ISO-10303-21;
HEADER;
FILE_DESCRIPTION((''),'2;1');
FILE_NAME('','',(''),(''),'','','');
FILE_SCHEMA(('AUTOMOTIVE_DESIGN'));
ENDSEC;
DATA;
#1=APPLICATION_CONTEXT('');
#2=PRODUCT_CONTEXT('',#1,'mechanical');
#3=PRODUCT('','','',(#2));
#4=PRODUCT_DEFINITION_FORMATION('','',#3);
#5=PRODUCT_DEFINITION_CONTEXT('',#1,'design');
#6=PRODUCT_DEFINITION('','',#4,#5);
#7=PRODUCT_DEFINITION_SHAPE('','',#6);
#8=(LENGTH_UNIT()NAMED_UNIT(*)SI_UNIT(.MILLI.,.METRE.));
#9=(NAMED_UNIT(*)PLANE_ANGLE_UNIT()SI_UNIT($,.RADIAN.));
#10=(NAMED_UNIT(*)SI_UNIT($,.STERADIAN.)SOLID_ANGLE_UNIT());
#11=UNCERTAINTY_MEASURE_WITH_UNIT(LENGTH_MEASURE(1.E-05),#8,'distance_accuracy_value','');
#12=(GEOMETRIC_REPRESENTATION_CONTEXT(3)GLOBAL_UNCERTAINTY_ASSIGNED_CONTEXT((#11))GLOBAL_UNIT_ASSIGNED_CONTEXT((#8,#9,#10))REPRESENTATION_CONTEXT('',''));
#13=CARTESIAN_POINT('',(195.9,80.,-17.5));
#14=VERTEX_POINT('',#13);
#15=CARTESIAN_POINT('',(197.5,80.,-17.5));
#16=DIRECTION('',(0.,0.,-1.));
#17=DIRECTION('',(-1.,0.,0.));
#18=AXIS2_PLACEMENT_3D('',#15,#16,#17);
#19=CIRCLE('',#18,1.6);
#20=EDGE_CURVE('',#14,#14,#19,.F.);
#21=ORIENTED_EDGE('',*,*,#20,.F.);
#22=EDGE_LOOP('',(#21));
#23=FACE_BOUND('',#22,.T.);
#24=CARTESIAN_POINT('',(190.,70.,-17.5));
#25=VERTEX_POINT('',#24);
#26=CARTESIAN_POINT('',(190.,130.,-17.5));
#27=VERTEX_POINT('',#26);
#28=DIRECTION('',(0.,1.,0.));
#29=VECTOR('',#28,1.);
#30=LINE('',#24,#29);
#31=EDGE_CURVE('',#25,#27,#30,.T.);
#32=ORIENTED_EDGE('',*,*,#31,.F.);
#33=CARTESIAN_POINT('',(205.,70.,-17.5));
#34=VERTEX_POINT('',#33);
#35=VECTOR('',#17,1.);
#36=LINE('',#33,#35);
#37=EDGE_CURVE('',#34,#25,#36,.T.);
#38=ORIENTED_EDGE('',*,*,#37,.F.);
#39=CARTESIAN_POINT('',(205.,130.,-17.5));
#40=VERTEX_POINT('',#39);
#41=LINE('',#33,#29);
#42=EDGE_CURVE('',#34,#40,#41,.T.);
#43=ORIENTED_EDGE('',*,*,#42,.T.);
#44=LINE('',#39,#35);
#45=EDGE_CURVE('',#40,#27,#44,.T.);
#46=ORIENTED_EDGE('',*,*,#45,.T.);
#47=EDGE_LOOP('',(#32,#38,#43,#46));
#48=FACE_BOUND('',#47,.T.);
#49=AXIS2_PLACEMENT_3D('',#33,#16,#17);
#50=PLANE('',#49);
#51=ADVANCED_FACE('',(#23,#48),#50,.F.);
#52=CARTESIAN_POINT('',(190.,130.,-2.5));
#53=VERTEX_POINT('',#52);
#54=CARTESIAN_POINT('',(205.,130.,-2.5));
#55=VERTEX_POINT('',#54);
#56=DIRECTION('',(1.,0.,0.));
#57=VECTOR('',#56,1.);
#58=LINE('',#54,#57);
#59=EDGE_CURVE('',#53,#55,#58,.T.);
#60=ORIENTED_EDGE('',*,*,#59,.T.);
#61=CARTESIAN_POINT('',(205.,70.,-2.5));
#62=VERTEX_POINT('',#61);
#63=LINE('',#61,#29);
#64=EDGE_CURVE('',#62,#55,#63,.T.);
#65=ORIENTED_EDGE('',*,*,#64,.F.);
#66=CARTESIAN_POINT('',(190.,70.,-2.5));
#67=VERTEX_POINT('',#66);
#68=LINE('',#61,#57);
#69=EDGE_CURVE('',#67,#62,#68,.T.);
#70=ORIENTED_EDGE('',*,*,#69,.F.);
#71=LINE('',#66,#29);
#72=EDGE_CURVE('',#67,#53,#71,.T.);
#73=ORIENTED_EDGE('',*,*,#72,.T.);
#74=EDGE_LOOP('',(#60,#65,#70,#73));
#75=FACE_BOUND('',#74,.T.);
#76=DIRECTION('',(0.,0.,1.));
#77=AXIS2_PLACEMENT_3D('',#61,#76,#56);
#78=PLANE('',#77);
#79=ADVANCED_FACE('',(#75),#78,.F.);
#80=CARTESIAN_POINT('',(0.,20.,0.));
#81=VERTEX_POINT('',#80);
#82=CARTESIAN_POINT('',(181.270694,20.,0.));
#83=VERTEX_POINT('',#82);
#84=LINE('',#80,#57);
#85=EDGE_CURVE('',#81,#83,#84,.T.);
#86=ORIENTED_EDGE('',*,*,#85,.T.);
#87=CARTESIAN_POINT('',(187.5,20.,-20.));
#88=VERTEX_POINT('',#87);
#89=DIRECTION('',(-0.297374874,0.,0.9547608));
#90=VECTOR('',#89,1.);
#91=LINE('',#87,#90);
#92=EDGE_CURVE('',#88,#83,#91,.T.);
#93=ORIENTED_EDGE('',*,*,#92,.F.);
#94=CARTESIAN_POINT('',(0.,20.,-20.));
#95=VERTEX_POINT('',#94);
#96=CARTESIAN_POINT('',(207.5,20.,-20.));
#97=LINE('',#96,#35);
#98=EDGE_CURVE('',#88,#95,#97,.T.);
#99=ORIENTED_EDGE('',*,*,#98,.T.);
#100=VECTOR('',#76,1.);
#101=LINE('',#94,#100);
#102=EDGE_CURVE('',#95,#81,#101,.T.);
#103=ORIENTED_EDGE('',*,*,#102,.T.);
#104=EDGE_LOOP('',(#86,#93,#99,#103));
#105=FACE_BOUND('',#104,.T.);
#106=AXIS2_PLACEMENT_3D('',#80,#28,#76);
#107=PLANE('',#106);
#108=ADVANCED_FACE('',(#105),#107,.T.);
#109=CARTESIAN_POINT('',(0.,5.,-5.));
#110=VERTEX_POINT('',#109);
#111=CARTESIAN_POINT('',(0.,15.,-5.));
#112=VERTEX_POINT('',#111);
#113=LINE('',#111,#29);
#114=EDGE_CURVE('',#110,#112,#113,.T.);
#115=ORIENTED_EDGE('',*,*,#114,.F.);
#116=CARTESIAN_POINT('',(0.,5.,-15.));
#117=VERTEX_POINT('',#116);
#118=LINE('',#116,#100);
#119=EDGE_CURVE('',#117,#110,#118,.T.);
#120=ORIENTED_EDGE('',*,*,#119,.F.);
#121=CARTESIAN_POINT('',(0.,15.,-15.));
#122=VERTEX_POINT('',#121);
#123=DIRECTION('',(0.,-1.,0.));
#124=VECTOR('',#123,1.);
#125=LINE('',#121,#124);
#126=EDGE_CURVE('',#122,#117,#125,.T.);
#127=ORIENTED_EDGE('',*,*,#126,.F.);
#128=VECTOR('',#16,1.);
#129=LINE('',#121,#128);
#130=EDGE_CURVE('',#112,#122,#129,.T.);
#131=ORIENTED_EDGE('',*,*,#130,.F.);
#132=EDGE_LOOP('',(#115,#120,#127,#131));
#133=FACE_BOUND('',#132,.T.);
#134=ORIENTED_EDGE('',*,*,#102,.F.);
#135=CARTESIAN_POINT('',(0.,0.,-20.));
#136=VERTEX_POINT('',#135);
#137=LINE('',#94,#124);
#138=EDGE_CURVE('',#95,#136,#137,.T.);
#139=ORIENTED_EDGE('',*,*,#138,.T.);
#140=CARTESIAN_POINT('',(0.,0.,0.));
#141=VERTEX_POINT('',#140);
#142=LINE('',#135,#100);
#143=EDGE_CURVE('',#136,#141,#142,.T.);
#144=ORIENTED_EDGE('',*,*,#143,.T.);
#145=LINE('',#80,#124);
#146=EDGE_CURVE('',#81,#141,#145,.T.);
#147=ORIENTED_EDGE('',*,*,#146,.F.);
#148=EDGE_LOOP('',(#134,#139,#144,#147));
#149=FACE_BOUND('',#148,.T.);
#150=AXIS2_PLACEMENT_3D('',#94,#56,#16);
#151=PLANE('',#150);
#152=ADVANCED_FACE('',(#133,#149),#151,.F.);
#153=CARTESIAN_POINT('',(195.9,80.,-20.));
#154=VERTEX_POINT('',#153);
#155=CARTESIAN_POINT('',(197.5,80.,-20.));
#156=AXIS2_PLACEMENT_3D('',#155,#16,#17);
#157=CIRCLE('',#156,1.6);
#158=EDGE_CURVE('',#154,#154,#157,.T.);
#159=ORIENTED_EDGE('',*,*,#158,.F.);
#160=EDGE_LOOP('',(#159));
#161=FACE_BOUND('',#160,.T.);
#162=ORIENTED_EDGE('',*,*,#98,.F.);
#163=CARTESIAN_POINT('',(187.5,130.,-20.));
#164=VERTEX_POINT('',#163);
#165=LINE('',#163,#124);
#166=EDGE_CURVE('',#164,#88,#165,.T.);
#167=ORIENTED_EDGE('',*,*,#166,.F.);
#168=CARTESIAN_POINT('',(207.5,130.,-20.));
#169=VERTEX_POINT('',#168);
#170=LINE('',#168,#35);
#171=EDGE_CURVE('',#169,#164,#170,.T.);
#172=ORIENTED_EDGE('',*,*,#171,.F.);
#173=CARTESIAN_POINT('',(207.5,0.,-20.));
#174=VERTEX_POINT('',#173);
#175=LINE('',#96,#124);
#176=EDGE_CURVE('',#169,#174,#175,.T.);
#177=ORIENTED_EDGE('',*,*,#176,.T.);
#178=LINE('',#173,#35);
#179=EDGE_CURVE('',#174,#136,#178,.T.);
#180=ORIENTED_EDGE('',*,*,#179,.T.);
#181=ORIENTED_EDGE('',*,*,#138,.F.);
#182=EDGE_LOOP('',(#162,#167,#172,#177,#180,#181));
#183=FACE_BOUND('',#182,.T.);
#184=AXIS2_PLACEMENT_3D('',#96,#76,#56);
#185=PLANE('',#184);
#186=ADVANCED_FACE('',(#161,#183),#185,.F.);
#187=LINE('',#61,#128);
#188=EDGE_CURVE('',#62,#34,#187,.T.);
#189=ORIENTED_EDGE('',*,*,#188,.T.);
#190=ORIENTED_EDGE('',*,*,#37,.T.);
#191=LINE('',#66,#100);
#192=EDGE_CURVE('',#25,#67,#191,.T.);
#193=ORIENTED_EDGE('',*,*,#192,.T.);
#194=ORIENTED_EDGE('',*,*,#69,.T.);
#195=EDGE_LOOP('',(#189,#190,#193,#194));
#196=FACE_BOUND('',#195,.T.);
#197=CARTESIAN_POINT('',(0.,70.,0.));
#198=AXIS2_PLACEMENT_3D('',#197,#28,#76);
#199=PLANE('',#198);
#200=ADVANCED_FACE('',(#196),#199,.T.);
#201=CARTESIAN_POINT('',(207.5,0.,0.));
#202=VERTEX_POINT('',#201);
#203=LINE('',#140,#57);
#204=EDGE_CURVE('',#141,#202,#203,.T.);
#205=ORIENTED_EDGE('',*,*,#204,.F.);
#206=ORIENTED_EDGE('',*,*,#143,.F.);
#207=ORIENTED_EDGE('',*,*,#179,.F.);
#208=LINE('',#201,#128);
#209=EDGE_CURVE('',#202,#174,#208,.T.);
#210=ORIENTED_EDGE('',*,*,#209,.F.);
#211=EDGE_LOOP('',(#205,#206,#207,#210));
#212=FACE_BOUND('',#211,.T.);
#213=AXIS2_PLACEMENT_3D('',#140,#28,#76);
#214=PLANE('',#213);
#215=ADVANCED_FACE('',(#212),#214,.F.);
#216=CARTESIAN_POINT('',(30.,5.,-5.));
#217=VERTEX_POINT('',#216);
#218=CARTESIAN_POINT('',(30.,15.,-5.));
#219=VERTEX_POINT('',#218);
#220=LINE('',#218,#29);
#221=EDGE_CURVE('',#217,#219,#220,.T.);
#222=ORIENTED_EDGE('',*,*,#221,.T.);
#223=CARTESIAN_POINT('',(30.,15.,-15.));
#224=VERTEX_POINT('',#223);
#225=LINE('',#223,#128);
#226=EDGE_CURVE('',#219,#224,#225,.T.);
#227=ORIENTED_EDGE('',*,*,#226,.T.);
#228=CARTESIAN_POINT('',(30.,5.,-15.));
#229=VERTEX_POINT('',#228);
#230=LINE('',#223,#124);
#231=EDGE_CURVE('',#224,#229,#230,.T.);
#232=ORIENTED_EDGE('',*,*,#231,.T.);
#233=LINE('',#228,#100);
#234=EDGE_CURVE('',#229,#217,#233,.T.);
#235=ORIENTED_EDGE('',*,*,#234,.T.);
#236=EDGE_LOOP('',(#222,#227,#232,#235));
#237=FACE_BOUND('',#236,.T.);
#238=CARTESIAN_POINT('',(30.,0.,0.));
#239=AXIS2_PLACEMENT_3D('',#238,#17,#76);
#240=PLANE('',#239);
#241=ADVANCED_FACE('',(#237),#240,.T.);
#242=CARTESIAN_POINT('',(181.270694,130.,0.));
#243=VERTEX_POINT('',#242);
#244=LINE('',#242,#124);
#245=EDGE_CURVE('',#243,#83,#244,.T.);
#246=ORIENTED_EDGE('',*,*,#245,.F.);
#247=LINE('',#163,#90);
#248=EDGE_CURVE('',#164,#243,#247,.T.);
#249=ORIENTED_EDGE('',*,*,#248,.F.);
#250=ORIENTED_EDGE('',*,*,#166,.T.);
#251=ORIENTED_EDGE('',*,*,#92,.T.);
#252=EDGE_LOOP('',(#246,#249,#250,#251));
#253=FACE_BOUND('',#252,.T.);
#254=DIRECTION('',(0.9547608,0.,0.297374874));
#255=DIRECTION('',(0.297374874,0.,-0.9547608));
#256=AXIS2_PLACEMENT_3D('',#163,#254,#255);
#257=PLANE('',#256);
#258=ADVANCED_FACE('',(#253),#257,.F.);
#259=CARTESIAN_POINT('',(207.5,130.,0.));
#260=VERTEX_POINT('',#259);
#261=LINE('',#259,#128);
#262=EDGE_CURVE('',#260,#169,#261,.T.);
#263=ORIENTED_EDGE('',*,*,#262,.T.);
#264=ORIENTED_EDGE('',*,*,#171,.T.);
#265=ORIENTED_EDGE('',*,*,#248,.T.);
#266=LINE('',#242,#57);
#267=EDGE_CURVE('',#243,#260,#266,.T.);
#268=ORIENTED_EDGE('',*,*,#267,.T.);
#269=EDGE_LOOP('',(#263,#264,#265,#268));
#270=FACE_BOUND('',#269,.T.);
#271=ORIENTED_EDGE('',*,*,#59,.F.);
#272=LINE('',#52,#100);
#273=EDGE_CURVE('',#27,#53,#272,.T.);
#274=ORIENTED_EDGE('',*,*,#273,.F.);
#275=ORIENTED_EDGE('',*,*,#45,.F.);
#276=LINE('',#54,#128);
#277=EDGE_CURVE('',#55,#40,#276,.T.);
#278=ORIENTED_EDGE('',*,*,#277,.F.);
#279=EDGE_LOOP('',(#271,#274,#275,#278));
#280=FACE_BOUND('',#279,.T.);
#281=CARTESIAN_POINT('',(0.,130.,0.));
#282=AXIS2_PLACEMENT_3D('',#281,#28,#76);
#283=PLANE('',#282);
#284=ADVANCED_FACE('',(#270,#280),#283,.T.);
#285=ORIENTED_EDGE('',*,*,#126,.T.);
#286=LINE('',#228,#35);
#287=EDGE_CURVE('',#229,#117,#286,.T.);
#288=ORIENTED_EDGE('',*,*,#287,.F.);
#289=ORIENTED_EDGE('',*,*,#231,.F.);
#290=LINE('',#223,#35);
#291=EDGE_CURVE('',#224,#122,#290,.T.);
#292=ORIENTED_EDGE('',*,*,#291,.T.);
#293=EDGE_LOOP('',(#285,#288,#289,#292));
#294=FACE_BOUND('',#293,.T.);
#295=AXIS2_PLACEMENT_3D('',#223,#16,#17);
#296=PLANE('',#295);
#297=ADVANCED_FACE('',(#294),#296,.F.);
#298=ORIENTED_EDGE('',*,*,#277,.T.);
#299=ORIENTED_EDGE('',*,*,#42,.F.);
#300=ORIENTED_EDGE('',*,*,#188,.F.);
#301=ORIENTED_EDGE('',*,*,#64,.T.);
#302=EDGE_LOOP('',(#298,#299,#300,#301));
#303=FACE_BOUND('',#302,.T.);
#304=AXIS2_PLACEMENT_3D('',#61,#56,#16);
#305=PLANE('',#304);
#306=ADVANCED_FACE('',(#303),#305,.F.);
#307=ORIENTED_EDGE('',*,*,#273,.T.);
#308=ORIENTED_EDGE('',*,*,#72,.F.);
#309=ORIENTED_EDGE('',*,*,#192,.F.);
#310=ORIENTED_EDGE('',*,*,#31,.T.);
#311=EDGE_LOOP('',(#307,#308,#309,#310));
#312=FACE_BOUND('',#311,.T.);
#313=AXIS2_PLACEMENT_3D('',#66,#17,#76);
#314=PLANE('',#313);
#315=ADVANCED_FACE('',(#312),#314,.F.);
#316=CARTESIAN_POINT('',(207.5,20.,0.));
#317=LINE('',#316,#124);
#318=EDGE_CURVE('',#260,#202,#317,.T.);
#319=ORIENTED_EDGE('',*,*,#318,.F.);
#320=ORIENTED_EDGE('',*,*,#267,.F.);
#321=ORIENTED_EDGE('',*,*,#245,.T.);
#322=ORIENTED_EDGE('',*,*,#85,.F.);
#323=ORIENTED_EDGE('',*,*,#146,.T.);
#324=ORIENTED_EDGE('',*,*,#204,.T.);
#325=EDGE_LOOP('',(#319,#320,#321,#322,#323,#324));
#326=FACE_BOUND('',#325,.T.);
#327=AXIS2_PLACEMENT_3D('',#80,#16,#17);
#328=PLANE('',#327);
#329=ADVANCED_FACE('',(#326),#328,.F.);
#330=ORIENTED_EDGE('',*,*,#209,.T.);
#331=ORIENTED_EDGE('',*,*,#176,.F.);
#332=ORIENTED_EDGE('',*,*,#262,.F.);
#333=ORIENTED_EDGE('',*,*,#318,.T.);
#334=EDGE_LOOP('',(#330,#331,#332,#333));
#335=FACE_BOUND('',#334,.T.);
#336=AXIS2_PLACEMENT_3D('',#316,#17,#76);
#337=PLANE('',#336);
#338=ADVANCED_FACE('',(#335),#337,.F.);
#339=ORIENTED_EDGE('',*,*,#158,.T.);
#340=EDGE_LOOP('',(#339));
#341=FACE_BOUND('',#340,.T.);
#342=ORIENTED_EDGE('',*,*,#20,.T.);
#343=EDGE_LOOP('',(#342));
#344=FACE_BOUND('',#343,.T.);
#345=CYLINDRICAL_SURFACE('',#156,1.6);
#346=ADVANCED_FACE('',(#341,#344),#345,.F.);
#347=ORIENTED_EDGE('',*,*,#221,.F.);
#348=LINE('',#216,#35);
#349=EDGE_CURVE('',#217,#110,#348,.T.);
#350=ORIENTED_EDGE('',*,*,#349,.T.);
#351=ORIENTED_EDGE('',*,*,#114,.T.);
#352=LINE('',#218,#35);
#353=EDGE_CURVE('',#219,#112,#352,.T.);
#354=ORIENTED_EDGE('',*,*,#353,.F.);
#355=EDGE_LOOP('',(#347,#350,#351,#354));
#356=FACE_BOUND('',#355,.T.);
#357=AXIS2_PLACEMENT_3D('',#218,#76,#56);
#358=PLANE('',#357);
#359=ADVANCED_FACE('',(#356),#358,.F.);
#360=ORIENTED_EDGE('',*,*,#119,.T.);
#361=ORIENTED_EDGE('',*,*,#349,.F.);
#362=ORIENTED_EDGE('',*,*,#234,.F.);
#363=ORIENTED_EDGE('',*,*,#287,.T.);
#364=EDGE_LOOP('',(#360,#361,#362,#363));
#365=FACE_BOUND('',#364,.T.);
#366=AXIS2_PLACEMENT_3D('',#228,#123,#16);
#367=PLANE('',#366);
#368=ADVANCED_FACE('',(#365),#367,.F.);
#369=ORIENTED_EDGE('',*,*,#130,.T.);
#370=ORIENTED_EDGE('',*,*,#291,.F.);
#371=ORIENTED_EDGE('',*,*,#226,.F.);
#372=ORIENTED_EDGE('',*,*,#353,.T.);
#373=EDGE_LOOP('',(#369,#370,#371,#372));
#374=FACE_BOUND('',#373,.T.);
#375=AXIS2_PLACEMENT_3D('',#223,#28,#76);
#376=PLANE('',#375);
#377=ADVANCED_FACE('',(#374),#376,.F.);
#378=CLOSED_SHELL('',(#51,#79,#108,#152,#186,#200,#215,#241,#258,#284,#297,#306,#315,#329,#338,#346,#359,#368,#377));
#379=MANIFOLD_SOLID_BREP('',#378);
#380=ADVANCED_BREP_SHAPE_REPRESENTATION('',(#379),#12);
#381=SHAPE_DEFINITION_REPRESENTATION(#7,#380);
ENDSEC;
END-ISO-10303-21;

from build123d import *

# Parameters (mm, degrees)
ESQUISSE1_W             = 207.5
ESQUISSE1_H             = 20
BOSS_EXTRU_1_DEPTH      = 20
BOSS_EXTRU_2_DEPTH      = 110
ESQUISSE3_W             = 10
ESQUISSE3_H             = 10
ENL_V_MAT_EXTRU_1_DEPTH = 30
D_GAGEMENT_M31_D        = 3.2
D_GAGEMENT_M31_DEPTH    = 10
D_GAGEMENT_M31_TIP      = 0.96137699
ESQUISSE6_W             = 15
ESQUISSE6_H             = 15
ENL_V_MAT_EXTRU_2_DEPTH = 60


with BuildPart() as part:
    # Esquisse1 → Boss.-Extru.1 (new body)
    with BuildSketch(Plane(origin=(0, 0, 0), x_dir=(1, 0, 0), z_dir=(0, 1, 0))):
        with Locations((103.75, 10)):
            Rectangle(ESQUISSE1_W, ESQUISSE1_H)
    extrude(amount=BOSS_EXTRU_1_DEPTH)

    # Esquisse2 → Boss.-Extru.2 (add)
    with BuildSketch(Plane(origin=(0, 20, 0), x_dir=(1, 0, 0), z_dir=(0, 1, 0))):
        Polygon((207.5, 20), (187.5, 20), (181.270693681, 0), (207.5, 0), align=None)
    extrude(amount=BOSS_EXTRU_2_DEPTH)

    # Esquisse3 → Enlèv. mat.-Extru.1 (cut)
    with BuildSketch(Plane.ZY):
        with Locations((-10, 10)):
            Rectangle(ESQUISSE3_W, ESQUISSE3_H)
    extrude(amount=-ENL_V_MAT_EXTRU_1_DEPTH, mode=Mode.SUBTRACT)

    # Dégagement M31
    with Locations(Plane(origin=(0, 0, -20), x_dir=(-1, 0, 0), z_dir=(0, 0, -1))):
        with Locations((-197.5, 80)):
            Hole(D_GAGEMENT_M31_D / 2, depth=D_GAGEMENT_M31_DEPTH)
            with Locations((0, 0, -(D_GAGEMENT_M31_DEPTH + D_GAGEMENT_M31_TIP / 2))):  # 118° drill point
                Cone(0, D_GAGEMENT_M31_D / 2, D_GAGEMENT_M31_TIP, mode=Mode.SUBTRACT)

    # Esquisse6 → Enlèv. mat.-Extru.2 (cut)
    with BuildSketch(Plane(origin=(0, 130, 0), x_dir=(1, 0, 0), z_dir=(0, 1, 0))):
        with Locations((197.5, 10)):
            Rectangle(ESQUISSE6_W, ESQUISSE6_H)
    extrude(amount=-ENL_V_MAT_EXTRU_2_DEPTH, mode=Mode.SUBTRACT)


solid = part.part
